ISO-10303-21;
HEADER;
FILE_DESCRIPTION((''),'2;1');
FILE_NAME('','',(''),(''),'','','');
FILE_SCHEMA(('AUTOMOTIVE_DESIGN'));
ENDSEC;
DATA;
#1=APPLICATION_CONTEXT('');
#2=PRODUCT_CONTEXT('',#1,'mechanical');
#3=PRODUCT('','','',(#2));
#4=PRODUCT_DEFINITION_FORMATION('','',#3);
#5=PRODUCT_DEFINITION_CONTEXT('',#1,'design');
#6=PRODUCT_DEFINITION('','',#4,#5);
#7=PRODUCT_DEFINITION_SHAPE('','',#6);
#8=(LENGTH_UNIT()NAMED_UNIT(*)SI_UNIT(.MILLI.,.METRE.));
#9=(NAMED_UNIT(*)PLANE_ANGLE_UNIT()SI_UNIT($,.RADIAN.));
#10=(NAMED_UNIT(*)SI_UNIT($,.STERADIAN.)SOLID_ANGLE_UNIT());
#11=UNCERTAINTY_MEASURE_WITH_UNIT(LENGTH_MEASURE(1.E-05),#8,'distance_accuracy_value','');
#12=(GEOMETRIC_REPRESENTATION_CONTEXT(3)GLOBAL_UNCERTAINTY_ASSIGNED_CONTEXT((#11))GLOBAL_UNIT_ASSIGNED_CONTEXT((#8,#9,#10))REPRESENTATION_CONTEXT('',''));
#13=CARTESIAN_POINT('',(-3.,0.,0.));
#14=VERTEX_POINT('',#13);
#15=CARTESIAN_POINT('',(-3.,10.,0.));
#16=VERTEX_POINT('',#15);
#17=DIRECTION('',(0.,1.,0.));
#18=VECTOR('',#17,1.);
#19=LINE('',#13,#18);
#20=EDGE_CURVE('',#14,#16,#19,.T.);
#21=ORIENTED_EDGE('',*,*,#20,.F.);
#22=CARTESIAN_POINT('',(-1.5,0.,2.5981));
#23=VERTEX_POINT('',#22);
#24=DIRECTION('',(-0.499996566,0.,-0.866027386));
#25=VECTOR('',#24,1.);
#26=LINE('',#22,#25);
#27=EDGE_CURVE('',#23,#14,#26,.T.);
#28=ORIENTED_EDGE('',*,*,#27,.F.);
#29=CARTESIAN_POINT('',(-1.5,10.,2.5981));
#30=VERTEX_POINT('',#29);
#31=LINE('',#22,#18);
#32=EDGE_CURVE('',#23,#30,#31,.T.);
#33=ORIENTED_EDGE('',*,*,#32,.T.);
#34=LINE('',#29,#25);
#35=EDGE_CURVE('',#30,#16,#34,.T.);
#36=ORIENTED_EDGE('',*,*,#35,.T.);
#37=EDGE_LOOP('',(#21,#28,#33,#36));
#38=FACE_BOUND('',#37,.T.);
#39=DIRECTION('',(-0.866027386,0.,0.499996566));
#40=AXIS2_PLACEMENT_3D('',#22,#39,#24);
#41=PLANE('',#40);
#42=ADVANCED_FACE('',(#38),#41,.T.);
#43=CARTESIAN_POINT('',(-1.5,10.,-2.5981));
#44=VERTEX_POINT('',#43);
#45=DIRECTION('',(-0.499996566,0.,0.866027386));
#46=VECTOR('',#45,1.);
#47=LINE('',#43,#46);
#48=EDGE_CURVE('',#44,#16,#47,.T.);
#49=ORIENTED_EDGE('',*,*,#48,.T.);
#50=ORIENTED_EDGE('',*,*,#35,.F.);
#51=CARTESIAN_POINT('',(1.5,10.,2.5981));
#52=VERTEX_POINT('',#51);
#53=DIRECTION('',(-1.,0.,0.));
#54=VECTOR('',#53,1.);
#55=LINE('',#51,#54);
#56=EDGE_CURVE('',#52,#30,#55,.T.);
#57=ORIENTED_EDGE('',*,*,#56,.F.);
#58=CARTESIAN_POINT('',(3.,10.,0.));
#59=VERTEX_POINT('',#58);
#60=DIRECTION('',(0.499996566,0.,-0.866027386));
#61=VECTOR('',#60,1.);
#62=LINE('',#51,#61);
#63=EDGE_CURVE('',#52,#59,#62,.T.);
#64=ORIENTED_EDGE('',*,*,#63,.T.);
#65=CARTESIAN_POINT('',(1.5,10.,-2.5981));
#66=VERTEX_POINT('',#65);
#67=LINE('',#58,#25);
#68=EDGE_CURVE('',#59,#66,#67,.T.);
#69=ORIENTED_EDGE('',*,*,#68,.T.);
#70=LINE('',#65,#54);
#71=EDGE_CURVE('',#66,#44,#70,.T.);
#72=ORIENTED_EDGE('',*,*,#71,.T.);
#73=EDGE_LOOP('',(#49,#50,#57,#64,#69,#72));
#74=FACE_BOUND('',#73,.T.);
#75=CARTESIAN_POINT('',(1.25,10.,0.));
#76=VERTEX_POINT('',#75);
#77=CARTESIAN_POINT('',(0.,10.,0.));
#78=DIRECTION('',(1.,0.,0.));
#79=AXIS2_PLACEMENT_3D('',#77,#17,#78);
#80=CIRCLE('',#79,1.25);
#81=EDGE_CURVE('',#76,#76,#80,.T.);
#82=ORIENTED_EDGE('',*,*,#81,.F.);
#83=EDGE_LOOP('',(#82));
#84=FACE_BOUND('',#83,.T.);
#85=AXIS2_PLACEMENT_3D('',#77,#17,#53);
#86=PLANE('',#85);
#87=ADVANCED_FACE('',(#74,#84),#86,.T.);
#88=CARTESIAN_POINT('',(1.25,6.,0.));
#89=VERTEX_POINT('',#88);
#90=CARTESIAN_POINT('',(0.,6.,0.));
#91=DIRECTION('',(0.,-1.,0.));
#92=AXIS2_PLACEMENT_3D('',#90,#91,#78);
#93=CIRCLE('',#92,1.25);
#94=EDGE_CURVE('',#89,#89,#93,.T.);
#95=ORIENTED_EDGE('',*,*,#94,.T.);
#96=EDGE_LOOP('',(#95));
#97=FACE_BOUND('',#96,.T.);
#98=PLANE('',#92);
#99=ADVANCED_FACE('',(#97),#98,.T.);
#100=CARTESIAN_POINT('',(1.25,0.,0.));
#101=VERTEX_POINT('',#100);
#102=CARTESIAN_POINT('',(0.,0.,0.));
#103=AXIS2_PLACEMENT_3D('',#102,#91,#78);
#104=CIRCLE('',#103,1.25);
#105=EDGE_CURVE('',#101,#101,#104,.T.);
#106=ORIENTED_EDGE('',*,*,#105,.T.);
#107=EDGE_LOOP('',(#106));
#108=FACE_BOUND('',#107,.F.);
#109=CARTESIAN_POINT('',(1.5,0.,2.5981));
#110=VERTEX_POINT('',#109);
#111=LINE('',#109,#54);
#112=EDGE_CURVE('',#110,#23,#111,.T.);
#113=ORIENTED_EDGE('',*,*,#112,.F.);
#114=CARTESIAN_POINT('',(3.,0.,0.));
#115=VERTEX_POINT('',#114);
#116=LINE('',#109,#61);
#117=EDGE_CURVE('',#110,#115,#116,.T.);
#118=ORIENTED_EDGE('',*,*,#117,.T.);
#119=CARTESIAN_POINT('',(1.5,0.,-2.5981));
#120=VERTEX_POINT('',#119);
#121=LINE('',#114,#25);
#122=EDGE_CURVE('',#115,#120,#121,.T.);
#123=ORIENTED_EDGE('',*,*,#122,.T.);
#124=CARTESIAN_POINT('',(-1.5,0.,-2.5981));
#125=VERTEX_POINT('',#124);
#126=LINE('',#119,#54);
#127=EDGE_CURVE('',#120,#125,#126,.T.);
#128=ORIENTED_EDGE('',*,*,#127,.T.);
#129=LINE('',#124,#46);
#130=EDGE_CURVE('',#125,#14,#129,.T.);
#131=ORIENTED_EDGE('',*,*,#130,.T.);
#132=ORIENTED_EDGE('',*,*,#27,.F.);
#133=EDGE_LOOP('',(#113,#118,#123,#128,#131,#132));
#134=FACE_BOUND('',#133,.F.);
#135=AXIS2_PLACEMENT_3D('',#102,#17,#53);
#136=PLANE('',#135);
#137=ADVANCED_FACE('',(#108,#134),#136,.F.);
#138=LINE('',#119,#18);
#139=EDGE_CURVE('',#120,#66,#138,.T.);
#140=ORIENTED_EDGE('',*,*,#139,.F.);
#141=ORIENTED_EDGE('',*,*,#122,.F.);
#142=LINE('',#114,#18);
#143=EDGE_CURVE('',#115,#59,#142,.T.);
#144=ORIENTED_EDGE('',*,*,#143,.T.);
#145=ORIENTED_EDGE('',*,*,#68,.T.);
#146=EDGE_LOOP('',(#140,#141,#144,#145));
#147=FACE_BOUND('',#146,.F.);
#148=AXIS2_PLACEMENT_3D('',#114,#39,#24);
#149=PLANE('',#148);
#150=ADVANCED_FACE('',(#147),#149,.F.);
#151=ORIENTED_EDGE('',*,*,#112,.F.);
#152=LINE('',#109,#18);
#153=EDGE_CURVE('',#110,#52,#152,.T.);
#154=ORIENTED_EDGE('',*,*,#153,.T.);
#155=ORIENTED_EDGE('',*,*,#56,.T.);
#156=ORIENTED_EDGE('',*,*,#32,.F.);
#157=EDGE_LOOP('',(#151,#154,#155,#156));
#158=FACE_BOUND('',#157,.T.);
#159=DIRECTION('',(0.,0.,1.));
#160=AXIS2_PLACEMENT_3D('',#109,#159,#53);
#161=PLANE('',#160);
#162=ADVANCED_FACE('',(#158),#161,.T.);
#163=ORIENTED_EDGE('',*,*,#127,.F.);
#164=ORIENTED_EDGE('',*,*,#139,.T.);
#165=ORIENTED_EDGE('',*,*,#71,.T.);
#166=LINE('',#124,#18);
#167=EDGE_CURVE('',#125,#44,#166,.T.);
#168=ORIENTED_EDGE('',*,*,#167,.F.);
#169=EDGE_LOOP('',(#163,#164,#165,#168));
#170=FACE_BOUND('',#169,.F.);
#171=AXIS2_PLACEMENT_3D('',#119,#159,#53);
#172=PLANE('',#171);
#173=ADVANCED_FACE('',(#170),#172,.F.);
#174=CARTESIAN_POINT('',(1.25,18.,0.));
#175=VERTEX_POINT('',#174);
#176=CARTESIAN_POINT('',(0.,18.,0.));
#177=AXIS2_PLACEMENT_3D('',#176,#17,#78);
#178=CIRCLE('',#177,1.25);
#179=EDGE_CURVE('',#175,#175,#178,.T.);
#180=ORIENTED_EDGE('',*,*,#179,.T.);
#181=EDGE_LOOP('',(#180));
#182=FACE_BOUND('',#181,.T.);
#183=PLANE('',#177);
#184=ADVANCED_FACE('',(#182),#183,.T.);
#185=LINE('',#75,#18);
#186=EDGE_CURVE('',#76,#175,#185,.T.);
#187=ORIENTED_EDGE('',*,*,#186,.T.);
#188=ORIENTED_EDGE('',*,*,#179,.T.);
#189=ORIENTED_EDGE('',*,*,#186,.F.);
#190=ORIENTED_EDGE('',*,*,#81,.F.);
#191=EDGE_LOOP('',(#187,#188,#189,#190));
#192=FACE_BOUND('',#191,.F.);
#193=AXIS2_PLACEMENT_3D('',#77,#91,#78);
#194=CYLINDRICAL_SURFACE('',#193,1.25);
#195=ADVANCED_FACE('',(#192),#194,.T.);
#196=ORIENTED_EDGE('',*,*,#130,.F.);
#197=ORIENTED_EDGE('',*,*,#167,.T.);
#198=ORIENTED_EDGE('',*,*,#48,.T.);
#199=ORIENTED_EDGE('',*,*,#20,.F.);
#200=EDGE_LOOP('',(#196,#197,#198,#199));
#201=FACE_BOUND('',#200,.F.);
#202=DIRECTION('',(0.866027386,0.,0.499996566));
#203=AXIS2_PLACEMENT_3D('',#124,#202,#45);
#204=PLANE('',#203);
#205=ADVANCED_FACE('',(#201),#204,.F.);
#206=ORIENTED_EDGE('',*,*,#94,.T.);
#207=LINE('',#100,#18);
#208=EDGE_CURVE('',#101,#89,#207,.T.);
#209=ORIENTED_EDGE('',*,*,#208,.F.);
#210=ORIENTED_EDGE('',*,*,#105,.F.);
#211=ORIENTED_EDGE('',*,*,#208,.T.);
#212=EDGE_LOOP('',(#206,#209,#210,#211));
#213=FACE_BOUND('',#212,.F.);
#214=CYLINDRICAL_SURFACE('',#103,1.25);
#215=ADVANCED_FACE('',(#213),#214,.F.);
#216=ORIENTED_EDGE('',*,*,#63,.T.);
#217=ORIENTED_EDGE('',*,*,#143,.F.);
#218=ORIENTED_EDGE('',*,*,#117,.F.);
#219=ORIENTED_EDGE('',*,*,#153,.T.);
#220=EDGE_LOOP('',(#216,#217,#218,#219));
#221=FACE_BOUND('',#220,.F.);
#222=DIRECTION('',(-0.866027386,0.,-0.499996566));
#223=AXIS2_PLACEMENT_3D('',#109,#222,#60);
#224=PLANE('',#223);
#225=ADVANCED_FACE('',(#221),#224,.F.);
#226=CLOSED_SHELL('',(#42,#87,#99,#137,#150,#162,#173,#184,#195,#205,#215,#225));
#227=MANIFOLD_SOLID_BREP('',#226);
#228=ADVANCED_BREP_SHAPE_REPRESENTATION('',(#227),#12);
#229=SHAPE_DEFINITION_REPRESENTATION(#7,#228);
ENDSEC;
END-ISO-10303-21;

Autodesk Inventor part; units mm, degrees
ref_plane "YZ Plane" through (0, 0, 0) normal (1, 0, 0) x (0, 1, 0)
ref_plane "XZ Plane" through (0, 0, 0) normal (0, 1, 0) x (-1, 0, 0)
ref_plane "XY Plane" through (0, 0, 0) normal (0, 0, 1) x (1, 0, 0)
sketch "Esboço1" plane through (0, 0, 0) normal (0, 1, 0) x (-1, 0, 0)
  line L0 (-1.5, -2.5981) -> (1.5, -2.5981)
  line L1 (-1.5, 2.5981) -> (1.5, 2.5981)
  line L2 (1.5, 2.5981) -> (3, 0)
  line L3 (1.5, -2.5981) -> (3, 0)
  line L4 (-1.5, 2.5981) -> (-3, 0)
  line L5 (-3, 0) -> (-1.5, -2.5981)
  point P0 (0, 0)
  dimension "d8" = 3
  dimension "d10" = 3
  dimension "d11" = 3
  dimension "d12" = 3
  dimension "d15" = 1.5
  dimension "d16" = 1.5
  dimension "d17" = 120
  dimension "d18" = 120
  dimension "d19" = 120
  dimension "d20" = 120
  dimension "d21" = 120
  dimension "d22" = 2.5981
extrude "Extrusão1" add sketch "Esboço1" along normal blind 10
sketch "Esboço2" plane through (0, 10, 0) normal (0, 1, 0) x (1, 0, 0)
  circle A0 centre (0, 0) radius 1.25
  dimension "d26" = 2.5
extrude "Extrusão2" add sketch "Esboço2" along normal blind 8
thread "Rosca1" size "M2.5x0.45" class "6g" standard "ANSI Metric M Profile" length 7.5
sketch "Esboço3" plane through (0, 0, 0) normal (0, -1, 0) x (1, 0, 0)
  circle A0 centre (0, 0) radius 1.25
  dimension "d33" = 2.5
extrude "Extrusão3" cut sketch "Esboço3" against normal blind 6
thread "Rosca3" size "M2.5x0.45" class "6H" standard "ANSI Metric M Profile" length 4.5
equation "\"d8\" = 2 * d16"
equation "\"d10\" = 2 * d15"
equation "\"d17\" = d18"
equation "\"d19\" = d18"
equation "\"d20\" = d18"
equation "\"d21\" = d18"
properties part number "Espacador_Placas" material "Alumínio 6061"
